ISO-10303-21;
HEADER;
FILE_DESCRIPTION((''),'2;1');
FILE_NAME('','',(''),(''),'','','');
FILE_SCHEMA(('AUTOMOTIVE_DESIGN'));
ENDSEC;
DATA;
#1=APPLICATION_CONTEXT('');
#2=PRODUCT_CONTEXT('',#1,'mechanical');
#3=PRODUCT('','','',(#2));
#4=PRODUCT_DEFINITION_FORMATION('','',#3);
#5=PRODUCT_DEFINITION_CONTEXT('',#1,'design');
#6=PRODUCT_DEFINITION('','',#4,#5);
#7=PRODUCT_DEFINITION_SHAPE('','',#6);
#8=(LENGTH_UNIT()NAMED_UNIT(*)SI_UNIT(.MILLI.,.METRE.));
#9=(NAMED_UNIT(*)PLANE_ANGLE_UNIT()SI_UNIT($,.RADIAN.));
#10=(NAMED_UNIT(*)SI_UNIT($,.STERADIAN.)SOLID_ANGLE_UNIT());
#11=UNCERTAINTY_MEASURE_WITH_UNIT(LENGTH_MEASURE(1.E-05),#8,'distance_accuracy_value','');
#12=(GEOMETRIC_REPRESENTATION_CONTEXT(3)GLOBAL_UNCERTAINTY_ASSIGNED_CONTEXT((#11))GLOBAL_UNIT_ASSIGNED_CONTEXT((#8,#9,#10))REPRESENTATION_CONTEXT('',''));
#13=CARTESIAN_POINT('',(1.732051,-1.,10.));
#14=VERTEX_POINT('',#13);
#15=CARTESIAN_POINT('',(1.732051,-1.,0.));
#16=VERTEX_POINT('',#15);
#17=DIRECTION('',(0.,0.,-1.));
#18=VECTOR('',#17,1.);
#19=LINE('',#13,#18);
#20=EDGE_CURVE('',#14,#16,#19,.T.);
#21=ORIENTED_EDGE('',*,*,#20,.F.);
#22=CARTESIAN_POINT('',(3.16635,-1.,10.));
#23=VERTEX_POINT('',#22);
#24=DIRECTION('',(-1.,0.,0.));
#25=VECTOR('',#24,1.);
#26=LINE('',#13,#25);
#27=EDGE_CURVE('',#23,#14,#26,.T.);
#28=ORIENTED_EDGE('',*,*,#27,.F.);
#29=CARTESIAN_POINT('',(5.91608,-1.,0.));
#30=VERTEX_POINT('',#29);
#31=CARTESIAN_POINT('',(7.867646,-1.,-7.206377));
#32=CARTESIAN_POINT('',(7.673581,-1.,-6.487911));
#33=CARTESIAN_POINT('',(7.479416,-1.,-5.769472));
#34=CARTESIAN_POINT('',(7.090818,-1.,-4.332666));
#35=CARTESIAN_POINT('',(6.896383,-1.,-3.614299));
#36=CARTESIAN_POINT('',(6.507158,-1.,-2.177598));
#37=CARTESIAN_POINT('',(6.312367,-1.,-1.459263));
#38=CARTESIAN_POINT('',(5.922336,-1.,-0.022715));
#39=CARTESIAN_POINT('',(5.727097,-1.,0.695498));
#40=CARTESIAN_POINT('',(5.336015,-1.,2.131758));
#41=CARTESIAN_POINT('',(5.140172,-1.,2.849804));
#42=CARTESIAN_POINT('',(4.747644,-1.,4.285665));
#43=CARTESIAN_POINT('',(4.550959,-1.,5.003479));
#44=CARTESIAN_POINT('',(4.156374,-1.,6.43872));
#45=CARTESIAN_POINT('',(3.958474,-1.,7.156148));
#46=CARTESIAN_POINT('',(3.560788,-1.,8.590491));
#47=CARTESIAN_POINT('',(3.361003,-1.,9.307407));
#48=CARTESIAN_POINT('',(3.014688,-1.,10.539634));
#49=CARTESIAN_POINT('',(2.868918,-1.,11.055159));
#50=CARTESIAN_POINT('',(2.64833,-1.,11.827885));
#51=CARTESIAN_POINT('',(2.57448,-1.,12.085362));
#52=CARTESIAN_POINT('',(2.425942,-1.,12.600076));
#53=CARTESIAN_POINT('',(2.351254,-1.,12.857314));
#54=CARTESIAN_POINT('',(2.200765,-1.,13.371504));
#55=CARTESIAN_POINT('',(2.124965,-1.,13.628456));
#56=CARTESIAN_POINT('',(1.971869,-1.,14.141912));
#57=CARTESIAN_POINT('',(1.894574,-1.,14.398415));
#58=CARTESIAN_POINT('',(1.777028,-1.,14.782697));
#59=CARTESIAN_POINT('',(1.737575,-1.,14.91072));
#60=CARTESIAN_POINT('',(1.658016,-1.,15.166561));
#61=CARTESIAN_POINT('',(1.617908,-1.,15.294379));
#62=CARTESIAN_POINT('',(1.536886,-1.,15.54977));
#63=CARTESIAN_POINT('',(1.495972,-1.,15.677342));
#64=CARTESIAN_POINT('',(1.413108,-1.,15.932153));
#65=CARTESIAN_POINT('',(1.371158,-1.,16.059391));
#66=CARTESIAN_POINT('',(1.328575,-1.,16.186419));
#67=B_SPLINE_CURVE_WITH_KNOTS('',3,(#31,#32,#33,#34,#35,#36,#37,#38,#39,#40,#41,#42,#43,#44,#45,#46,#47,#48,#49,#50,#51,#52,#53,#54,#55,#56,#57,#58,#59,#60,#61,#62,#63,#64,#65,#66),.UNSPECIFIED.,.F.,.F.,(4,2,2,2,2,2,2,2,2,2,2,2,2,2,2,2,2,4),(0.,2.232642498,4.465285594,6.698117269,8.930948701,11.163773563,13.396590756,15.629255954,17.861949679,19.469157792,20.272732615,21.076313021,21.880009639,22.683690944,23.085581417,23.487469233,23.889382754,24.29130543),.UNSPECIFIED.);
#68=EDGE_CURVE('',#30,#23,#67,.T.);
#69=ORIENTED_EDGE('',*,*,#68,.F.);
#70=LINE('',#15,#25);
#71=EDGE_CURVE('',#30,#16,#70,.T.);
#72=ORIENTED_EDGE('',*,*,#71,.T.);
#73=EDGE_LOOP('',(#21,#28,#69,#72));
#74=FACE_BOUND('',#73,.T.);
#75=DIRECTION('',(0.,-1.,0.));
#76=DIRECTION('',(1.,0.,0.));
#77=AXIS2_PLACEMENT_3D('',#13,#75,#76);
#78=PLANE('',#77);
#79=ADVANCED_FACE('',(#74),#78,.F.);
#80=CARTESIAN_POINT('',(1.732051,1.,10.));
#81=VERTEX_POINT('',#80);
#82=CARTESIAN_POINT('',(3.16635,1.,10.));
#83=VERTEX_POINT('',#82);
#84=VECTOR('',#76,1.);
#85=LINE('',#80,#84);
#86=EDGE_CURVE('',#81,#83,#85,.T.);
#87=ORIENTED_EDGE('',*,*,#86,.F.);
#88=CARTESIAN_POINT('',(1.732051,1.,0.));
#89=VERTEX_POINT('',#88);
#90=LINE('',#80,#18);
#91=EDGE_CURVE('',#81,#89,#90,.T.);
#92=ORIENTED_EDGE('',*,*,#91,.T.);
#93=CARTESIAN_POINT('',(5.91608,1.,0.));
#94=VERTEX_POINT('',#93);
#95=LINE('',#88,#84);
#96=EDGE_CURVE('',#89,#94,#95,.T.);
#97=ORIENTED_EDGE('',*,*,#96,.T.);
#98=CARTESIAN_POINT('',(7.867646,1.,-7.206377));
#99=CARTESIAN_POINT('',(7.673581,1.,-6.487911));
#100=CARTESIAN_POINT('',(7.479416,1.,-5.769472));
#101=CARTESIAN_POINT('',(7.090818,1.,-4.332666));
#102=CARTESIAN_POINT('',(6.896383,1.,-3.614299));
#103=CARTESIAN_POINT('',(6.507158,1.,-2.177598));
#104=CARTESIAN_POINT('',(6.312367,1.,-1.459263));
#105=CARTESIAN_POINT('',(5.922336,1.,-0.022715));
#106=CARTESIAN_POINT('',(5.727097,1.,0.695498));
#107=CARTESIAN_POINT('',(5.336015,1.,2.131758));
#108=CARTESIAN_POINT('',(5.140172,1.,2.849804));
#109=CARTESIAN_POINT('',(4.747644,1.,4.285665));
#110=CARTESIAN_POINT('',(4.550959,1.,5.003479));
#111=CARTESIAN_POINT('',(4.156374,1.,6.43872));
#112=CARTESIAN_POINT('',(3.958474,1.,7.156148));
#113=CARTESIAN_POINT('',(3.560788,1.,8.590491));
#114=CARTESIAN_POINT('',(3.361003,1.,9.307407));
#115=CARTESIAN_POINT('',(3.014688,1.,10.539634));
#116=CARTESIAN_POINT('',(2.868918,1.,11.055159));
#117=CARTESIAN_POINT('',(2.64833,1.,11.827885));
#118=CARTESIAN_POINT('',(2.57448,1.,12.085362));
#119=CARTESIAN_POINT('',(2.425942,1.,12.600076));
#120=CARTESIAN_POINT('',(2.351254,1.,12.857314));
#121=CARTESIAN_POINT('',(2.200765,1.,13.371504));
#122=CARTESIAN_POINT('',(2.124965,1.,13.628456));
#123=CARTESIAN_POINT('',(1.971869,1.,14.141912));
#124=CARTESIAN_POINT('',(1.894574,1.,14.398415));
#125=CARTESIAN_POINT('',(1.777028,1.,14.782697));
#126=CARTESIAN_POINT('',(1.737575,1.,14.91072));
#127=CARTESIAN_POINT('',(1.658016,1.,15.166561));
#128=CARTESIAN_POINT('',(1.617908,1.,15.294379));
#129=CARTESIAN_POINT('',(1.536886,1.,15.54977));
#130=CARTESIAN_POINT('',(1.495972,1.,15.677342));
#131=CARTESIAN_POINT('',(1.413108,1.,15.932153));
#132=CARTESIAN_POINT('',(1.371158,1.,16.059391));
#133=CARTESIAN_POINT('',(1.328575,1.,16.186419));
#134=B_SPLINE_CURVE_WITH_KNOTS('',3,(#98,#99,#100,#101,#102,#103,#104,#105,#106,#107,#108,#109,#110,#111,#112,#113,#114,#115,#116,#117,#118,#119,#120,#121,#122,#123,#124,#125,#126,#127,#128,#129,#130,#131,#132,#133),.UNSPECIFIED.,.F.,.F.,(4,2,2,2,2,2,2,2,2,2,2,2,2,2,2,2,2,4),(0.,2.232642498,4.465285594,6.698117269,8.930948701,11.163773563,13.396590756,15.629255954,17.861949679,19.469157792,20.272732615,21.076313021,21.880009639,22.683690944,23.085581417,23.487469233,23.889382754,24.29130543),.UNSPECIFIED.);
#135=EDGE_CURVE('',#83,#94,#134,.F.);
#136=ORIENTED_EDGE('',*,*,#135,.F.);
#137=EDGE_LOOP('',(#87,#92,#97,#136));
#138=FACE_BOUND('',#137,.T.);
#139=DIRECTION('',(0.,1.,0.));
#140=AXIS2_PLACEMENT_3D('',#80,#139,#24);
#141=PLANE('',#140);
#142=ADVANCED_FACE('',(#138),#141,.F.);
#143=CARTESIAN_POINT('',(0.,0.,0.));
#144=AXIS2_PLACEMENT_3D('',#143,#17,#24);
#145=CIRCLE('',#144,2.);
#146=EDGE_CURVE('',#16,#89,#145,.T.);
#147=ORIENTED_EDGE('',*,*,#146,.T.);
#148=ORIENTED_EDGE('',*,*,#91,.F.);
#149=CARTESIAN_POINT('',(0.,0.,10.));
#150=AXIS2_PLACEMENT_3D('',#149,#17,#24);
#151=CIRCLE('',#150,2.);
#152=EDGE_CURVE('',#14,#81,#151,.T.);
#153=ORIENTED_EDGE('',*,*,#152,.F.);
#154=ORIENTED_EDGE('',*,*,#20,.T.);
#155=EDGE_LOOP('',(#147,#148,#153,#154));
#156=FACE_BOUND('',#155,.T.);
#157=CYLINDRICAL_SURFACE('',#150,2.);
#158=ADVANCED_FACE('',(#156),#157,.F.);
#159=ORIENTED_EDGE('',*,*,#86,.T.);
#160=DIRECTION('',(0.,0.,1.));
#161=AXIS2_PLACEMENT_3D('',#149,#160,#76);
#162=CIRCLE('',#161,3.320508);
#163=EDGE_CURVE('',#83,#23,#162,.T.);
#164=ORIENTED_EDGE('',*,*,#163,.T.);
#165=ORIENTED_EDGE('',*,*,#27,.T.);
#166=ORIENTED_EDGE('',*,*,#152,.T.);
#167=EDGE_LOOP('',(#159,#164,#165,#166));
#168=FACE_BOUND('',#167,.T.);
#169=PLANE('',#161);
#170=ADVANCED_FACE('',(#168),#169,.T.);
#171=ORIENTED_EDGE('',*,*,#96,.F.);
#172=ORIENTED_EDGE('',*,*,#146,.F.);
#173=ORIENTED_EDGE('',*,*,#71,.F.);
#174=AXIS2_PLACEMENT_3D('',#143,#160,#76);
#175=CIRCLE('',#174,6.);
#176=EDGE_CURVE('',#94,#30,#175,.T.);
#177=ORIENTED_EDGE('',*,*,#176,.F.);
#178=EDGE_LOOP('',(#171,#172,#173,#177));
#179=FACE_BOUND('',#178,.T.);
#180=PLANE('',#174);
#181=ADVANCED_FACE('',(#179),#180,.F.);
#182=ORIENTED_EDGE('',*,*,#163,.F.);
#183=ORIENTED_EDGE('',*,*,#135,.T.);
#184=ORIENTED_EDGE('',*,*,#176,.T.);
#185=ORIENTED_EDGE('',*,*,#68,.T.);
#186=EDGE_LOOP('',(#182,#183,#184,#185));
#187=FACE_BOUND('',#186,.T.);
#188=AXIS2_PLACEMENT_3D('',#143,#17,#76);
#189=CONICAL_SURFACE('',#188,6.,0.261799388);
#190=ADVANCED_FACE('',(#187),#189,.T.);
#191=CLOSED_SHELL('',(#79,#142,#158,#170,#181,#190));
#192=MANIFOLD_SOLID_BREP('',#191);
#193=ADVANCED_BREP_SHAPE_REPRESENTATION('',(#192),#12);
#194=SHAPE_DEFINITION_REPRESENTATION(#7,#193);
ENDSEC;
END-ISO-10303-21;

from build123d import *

# Parameters (mm, degrees)
SKETCH1_R           = 6
BOSS_EXTRUDE1_DEPTH = 10
BOSS_EXTRUDE1_TAPER = 15
SKETCH2_R           = 2
CUT_EXTRUDE1_DEPTH  = 14.114877049
SKETCH3_W           = 4.267949192
SKETCH3_H           = 2
CUT_EXTRUDE2_DEPTH  = 14.114877049


with BuildPart() as part:
    # Sketch1 → Boss-Extrude1 (new body)
    with BuildSketch(Plane.XY):
        Circle(SKETCH1_R)
    extrude(amount=BOSS_EXTRUDE1_DEPTH, taper=BOSS_EXTRUDE1_TAPER)

    # Sketch2 → Cut-Extrude1 (cut, through all)
    with BuildSketch(Plane(origin=(0, 0, 0), x_dir=(-1, 0, 0), z_dir=(0, 0, -1))):
        Circle(SKETCH2_R)
    extrude(amount=-CUT_EXTRUDE1_DEPTH, mode=Mode.SUBTRACT)

    # Sketch3 → Cut-Extrude2 (cut, through all)
    with BuildSketch(Plane(origin=(0, 0, 0), x_dir=(-1, 0, 0), z_dir=(0, 0, -1))):
        with Locations((-3.866025404, 0)):
            Rectangle(SKETCH3_W, SKETCH3_H)
    extrude(amount=-CUT_EXTRUDE2_DEPTH, mode=Mode.SUBTRACT)


solid = part.part
